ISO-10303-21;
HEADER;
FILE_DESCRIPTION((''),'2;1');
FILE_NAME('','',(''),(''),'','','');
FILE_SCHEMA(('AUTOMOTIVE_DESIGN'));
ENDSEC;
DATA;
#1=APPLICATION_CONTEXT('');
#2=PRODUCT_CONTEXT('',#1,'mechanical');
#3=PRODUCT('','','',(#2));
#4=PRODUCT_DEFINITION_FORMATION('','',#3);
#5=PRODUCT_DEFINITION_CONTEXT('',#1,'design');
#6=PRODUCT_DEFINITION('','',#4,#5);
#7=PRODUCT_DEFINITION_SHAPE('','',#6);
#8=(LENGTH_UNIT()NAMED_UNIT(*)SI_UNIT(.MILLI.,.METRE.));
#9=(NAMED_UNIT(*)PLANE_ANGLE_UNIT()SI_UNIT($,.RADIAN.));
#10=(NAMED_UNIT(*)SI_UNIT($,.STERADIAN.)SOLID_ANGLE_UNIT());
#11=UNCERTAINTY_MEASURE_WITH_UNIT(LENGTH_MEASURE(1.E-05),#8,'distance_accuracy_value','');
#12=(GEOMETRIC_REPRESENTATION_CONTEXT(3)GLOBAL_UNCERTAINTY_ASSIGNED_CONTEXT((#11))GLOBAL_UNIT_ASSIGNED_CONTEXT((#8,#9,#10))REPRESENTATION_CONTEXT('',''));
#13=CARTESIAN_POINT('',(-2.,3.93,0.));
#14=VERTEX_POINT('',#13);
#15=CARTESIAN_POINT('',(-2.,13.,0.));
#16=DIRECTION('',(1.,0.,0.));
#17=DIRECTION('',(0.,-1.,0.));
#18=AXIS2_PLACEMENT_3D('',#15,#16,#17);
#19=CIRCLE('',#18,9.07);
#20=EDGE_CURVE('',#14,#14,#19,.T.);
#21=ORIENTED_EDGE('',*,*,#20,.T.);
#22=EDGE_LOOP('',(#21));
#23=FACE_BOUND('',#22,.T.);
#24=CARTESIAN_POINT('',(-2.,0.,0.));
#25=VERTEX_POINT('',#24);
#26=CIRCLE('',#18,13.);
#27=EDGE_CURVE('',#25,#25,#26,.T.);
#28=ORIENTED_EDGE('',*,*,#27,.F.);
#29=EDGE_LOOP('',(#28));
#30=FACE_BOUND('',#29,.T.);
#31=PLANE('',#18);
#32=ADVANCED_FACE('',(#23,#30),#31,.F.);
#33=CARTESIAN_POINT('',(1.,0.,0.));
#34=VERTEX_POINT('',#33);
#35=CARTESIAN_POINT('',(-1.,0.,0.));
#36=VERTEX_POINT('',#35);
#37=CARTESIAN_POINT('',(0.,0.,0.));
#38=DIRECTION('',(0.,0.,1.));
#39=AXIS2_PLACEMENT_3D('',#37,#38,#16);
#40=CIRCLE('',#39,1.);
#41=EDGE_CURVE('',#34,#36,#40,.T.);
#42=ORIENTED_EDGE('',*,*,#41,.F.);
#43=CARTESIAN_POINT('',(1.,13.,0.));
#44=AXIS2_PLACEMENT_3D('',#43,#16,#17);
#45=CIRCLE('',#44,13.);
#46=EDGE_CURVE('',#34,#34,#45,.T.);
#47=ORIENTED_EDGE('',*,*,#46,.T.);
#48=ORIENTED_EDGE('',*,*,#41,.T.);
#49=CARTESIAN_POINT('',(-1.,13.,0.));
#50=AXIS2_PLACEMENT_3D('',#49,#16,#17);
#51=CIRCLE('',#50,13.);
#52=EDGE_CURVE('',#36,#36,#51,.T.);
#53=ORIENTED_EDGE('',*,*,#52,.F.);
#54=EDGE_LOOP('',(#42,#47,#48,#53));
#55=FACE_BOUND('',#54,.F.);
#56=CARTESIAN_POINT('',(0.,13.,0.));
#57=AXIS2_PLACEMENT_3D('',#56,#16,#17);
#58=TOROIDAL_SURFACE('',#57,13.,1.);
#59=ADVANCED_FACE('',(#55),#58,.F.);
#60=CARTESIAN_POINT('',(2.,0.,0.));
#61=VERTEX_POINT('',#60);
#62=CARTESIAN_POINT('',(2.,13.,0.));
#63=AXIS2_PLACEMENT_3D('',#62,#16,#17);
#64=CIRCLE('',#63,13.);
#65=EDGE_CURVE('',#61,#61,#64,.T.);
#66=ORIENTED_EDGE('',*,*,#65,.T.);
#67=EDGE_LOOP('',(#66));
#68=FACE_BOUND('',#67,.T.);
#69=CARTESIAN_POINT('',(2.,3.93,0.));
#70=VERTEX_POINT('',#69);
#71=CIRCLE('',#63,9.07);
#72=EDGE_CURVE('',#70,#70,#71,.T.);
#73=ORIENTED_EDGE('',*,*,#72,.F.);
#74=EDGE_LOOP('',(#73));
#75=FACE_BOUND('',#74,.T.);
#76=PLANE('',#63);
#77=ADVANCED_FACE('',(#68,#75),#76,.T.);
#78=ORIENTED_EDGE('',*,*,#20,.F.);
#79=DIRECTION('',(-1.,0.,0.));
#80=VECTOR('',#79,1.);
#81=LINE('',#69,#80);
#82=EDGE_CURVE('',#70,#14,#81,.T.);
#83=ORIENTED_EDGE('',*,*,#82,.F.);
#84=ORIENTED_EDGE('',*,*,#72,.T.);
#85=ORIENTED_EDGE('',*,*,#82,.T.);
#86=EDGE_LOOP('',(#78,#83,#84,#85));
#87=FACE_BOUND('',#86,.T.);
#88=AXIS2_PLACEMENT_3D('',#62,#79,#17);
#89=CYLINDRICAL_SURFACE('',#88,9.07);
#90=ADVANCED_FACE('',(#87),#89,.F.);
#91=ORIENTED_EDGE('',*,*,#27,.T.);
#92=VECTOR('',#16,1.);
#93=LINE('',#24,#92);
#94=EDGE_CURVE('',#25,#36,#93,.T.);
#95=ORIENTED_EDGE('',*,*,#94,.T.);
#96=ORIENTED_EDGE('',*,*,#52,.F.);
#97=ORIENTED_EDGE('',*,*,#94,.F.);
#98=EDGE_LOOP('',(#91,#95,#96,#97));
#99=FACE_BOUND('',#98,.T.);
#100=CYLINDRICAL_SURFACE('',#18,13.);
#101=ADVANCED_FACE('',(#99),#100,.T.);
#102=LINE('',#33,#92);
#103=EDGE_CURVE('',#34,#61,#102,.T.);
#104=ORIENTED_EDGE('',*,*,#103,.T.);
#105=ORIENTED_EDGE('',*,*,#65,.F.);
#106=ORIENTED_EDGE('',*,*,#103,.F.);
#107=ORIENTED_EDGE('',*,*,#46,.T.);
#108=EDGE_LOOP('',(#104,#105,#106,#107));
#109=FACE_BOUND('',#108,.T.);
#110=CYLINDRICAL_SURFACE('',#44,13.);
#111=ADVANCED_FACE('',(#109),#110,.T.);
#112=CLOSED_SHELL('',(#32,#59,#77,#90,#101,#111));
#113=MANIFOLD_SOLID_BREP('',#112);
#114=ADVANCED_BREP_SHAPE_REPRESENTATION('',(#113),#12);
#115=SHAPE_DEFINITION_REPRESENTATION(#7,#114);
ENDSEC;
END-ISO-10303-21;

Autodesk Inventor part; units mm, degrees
ref_plane "YZ Plane" through (0, 0, 0) normal (1, 0, 0) x (0, 1, 0)
ref_plane "XZ Plane" through (0, 0, 0) normal (0, 1, 0) x (-1, 0, 0)
ref_plane "XY Plane" through (0, 0, 0) normal (0, 0, 1) x (1, 0, 0)
sketch "Sketch1" plane through (0, 0, 0) normal (0, 0, 1) x (1, 0, 0)
  arc A0 (1, 0) -> (-1, 0) centre (0, 0) ccw
  line L0 (-2, 0) -> (-1, 0)
  line L1 (-1, 0) -> (1, 0) construction
  line L2 (1, 0) -> (2, 0)
  line L3 (2, 0) -> (2, 3.93)
  line L4 (2, 3.93) -> (-2, 3.93)
  line L5 (-2, 3.93) -> (-2, 0)
  line L6 (-2, 3.93) -> (-2, 13) construction
  line L7 (-2, 13) -> (2, 13) construction
  line L8 (2, 13) -> (2, 3.93) construction
  dimension "d0" = 4
  dimension "d1" = 1
  dimension "d2" = 9.07
  dimension "d3" = 13
revolve "Revolution1" add sketch "Sketch1" angle 360 about axis through (-2, 13, 0) along (1, 0, 0)
properties part number "Cablecar_idlepulley"
